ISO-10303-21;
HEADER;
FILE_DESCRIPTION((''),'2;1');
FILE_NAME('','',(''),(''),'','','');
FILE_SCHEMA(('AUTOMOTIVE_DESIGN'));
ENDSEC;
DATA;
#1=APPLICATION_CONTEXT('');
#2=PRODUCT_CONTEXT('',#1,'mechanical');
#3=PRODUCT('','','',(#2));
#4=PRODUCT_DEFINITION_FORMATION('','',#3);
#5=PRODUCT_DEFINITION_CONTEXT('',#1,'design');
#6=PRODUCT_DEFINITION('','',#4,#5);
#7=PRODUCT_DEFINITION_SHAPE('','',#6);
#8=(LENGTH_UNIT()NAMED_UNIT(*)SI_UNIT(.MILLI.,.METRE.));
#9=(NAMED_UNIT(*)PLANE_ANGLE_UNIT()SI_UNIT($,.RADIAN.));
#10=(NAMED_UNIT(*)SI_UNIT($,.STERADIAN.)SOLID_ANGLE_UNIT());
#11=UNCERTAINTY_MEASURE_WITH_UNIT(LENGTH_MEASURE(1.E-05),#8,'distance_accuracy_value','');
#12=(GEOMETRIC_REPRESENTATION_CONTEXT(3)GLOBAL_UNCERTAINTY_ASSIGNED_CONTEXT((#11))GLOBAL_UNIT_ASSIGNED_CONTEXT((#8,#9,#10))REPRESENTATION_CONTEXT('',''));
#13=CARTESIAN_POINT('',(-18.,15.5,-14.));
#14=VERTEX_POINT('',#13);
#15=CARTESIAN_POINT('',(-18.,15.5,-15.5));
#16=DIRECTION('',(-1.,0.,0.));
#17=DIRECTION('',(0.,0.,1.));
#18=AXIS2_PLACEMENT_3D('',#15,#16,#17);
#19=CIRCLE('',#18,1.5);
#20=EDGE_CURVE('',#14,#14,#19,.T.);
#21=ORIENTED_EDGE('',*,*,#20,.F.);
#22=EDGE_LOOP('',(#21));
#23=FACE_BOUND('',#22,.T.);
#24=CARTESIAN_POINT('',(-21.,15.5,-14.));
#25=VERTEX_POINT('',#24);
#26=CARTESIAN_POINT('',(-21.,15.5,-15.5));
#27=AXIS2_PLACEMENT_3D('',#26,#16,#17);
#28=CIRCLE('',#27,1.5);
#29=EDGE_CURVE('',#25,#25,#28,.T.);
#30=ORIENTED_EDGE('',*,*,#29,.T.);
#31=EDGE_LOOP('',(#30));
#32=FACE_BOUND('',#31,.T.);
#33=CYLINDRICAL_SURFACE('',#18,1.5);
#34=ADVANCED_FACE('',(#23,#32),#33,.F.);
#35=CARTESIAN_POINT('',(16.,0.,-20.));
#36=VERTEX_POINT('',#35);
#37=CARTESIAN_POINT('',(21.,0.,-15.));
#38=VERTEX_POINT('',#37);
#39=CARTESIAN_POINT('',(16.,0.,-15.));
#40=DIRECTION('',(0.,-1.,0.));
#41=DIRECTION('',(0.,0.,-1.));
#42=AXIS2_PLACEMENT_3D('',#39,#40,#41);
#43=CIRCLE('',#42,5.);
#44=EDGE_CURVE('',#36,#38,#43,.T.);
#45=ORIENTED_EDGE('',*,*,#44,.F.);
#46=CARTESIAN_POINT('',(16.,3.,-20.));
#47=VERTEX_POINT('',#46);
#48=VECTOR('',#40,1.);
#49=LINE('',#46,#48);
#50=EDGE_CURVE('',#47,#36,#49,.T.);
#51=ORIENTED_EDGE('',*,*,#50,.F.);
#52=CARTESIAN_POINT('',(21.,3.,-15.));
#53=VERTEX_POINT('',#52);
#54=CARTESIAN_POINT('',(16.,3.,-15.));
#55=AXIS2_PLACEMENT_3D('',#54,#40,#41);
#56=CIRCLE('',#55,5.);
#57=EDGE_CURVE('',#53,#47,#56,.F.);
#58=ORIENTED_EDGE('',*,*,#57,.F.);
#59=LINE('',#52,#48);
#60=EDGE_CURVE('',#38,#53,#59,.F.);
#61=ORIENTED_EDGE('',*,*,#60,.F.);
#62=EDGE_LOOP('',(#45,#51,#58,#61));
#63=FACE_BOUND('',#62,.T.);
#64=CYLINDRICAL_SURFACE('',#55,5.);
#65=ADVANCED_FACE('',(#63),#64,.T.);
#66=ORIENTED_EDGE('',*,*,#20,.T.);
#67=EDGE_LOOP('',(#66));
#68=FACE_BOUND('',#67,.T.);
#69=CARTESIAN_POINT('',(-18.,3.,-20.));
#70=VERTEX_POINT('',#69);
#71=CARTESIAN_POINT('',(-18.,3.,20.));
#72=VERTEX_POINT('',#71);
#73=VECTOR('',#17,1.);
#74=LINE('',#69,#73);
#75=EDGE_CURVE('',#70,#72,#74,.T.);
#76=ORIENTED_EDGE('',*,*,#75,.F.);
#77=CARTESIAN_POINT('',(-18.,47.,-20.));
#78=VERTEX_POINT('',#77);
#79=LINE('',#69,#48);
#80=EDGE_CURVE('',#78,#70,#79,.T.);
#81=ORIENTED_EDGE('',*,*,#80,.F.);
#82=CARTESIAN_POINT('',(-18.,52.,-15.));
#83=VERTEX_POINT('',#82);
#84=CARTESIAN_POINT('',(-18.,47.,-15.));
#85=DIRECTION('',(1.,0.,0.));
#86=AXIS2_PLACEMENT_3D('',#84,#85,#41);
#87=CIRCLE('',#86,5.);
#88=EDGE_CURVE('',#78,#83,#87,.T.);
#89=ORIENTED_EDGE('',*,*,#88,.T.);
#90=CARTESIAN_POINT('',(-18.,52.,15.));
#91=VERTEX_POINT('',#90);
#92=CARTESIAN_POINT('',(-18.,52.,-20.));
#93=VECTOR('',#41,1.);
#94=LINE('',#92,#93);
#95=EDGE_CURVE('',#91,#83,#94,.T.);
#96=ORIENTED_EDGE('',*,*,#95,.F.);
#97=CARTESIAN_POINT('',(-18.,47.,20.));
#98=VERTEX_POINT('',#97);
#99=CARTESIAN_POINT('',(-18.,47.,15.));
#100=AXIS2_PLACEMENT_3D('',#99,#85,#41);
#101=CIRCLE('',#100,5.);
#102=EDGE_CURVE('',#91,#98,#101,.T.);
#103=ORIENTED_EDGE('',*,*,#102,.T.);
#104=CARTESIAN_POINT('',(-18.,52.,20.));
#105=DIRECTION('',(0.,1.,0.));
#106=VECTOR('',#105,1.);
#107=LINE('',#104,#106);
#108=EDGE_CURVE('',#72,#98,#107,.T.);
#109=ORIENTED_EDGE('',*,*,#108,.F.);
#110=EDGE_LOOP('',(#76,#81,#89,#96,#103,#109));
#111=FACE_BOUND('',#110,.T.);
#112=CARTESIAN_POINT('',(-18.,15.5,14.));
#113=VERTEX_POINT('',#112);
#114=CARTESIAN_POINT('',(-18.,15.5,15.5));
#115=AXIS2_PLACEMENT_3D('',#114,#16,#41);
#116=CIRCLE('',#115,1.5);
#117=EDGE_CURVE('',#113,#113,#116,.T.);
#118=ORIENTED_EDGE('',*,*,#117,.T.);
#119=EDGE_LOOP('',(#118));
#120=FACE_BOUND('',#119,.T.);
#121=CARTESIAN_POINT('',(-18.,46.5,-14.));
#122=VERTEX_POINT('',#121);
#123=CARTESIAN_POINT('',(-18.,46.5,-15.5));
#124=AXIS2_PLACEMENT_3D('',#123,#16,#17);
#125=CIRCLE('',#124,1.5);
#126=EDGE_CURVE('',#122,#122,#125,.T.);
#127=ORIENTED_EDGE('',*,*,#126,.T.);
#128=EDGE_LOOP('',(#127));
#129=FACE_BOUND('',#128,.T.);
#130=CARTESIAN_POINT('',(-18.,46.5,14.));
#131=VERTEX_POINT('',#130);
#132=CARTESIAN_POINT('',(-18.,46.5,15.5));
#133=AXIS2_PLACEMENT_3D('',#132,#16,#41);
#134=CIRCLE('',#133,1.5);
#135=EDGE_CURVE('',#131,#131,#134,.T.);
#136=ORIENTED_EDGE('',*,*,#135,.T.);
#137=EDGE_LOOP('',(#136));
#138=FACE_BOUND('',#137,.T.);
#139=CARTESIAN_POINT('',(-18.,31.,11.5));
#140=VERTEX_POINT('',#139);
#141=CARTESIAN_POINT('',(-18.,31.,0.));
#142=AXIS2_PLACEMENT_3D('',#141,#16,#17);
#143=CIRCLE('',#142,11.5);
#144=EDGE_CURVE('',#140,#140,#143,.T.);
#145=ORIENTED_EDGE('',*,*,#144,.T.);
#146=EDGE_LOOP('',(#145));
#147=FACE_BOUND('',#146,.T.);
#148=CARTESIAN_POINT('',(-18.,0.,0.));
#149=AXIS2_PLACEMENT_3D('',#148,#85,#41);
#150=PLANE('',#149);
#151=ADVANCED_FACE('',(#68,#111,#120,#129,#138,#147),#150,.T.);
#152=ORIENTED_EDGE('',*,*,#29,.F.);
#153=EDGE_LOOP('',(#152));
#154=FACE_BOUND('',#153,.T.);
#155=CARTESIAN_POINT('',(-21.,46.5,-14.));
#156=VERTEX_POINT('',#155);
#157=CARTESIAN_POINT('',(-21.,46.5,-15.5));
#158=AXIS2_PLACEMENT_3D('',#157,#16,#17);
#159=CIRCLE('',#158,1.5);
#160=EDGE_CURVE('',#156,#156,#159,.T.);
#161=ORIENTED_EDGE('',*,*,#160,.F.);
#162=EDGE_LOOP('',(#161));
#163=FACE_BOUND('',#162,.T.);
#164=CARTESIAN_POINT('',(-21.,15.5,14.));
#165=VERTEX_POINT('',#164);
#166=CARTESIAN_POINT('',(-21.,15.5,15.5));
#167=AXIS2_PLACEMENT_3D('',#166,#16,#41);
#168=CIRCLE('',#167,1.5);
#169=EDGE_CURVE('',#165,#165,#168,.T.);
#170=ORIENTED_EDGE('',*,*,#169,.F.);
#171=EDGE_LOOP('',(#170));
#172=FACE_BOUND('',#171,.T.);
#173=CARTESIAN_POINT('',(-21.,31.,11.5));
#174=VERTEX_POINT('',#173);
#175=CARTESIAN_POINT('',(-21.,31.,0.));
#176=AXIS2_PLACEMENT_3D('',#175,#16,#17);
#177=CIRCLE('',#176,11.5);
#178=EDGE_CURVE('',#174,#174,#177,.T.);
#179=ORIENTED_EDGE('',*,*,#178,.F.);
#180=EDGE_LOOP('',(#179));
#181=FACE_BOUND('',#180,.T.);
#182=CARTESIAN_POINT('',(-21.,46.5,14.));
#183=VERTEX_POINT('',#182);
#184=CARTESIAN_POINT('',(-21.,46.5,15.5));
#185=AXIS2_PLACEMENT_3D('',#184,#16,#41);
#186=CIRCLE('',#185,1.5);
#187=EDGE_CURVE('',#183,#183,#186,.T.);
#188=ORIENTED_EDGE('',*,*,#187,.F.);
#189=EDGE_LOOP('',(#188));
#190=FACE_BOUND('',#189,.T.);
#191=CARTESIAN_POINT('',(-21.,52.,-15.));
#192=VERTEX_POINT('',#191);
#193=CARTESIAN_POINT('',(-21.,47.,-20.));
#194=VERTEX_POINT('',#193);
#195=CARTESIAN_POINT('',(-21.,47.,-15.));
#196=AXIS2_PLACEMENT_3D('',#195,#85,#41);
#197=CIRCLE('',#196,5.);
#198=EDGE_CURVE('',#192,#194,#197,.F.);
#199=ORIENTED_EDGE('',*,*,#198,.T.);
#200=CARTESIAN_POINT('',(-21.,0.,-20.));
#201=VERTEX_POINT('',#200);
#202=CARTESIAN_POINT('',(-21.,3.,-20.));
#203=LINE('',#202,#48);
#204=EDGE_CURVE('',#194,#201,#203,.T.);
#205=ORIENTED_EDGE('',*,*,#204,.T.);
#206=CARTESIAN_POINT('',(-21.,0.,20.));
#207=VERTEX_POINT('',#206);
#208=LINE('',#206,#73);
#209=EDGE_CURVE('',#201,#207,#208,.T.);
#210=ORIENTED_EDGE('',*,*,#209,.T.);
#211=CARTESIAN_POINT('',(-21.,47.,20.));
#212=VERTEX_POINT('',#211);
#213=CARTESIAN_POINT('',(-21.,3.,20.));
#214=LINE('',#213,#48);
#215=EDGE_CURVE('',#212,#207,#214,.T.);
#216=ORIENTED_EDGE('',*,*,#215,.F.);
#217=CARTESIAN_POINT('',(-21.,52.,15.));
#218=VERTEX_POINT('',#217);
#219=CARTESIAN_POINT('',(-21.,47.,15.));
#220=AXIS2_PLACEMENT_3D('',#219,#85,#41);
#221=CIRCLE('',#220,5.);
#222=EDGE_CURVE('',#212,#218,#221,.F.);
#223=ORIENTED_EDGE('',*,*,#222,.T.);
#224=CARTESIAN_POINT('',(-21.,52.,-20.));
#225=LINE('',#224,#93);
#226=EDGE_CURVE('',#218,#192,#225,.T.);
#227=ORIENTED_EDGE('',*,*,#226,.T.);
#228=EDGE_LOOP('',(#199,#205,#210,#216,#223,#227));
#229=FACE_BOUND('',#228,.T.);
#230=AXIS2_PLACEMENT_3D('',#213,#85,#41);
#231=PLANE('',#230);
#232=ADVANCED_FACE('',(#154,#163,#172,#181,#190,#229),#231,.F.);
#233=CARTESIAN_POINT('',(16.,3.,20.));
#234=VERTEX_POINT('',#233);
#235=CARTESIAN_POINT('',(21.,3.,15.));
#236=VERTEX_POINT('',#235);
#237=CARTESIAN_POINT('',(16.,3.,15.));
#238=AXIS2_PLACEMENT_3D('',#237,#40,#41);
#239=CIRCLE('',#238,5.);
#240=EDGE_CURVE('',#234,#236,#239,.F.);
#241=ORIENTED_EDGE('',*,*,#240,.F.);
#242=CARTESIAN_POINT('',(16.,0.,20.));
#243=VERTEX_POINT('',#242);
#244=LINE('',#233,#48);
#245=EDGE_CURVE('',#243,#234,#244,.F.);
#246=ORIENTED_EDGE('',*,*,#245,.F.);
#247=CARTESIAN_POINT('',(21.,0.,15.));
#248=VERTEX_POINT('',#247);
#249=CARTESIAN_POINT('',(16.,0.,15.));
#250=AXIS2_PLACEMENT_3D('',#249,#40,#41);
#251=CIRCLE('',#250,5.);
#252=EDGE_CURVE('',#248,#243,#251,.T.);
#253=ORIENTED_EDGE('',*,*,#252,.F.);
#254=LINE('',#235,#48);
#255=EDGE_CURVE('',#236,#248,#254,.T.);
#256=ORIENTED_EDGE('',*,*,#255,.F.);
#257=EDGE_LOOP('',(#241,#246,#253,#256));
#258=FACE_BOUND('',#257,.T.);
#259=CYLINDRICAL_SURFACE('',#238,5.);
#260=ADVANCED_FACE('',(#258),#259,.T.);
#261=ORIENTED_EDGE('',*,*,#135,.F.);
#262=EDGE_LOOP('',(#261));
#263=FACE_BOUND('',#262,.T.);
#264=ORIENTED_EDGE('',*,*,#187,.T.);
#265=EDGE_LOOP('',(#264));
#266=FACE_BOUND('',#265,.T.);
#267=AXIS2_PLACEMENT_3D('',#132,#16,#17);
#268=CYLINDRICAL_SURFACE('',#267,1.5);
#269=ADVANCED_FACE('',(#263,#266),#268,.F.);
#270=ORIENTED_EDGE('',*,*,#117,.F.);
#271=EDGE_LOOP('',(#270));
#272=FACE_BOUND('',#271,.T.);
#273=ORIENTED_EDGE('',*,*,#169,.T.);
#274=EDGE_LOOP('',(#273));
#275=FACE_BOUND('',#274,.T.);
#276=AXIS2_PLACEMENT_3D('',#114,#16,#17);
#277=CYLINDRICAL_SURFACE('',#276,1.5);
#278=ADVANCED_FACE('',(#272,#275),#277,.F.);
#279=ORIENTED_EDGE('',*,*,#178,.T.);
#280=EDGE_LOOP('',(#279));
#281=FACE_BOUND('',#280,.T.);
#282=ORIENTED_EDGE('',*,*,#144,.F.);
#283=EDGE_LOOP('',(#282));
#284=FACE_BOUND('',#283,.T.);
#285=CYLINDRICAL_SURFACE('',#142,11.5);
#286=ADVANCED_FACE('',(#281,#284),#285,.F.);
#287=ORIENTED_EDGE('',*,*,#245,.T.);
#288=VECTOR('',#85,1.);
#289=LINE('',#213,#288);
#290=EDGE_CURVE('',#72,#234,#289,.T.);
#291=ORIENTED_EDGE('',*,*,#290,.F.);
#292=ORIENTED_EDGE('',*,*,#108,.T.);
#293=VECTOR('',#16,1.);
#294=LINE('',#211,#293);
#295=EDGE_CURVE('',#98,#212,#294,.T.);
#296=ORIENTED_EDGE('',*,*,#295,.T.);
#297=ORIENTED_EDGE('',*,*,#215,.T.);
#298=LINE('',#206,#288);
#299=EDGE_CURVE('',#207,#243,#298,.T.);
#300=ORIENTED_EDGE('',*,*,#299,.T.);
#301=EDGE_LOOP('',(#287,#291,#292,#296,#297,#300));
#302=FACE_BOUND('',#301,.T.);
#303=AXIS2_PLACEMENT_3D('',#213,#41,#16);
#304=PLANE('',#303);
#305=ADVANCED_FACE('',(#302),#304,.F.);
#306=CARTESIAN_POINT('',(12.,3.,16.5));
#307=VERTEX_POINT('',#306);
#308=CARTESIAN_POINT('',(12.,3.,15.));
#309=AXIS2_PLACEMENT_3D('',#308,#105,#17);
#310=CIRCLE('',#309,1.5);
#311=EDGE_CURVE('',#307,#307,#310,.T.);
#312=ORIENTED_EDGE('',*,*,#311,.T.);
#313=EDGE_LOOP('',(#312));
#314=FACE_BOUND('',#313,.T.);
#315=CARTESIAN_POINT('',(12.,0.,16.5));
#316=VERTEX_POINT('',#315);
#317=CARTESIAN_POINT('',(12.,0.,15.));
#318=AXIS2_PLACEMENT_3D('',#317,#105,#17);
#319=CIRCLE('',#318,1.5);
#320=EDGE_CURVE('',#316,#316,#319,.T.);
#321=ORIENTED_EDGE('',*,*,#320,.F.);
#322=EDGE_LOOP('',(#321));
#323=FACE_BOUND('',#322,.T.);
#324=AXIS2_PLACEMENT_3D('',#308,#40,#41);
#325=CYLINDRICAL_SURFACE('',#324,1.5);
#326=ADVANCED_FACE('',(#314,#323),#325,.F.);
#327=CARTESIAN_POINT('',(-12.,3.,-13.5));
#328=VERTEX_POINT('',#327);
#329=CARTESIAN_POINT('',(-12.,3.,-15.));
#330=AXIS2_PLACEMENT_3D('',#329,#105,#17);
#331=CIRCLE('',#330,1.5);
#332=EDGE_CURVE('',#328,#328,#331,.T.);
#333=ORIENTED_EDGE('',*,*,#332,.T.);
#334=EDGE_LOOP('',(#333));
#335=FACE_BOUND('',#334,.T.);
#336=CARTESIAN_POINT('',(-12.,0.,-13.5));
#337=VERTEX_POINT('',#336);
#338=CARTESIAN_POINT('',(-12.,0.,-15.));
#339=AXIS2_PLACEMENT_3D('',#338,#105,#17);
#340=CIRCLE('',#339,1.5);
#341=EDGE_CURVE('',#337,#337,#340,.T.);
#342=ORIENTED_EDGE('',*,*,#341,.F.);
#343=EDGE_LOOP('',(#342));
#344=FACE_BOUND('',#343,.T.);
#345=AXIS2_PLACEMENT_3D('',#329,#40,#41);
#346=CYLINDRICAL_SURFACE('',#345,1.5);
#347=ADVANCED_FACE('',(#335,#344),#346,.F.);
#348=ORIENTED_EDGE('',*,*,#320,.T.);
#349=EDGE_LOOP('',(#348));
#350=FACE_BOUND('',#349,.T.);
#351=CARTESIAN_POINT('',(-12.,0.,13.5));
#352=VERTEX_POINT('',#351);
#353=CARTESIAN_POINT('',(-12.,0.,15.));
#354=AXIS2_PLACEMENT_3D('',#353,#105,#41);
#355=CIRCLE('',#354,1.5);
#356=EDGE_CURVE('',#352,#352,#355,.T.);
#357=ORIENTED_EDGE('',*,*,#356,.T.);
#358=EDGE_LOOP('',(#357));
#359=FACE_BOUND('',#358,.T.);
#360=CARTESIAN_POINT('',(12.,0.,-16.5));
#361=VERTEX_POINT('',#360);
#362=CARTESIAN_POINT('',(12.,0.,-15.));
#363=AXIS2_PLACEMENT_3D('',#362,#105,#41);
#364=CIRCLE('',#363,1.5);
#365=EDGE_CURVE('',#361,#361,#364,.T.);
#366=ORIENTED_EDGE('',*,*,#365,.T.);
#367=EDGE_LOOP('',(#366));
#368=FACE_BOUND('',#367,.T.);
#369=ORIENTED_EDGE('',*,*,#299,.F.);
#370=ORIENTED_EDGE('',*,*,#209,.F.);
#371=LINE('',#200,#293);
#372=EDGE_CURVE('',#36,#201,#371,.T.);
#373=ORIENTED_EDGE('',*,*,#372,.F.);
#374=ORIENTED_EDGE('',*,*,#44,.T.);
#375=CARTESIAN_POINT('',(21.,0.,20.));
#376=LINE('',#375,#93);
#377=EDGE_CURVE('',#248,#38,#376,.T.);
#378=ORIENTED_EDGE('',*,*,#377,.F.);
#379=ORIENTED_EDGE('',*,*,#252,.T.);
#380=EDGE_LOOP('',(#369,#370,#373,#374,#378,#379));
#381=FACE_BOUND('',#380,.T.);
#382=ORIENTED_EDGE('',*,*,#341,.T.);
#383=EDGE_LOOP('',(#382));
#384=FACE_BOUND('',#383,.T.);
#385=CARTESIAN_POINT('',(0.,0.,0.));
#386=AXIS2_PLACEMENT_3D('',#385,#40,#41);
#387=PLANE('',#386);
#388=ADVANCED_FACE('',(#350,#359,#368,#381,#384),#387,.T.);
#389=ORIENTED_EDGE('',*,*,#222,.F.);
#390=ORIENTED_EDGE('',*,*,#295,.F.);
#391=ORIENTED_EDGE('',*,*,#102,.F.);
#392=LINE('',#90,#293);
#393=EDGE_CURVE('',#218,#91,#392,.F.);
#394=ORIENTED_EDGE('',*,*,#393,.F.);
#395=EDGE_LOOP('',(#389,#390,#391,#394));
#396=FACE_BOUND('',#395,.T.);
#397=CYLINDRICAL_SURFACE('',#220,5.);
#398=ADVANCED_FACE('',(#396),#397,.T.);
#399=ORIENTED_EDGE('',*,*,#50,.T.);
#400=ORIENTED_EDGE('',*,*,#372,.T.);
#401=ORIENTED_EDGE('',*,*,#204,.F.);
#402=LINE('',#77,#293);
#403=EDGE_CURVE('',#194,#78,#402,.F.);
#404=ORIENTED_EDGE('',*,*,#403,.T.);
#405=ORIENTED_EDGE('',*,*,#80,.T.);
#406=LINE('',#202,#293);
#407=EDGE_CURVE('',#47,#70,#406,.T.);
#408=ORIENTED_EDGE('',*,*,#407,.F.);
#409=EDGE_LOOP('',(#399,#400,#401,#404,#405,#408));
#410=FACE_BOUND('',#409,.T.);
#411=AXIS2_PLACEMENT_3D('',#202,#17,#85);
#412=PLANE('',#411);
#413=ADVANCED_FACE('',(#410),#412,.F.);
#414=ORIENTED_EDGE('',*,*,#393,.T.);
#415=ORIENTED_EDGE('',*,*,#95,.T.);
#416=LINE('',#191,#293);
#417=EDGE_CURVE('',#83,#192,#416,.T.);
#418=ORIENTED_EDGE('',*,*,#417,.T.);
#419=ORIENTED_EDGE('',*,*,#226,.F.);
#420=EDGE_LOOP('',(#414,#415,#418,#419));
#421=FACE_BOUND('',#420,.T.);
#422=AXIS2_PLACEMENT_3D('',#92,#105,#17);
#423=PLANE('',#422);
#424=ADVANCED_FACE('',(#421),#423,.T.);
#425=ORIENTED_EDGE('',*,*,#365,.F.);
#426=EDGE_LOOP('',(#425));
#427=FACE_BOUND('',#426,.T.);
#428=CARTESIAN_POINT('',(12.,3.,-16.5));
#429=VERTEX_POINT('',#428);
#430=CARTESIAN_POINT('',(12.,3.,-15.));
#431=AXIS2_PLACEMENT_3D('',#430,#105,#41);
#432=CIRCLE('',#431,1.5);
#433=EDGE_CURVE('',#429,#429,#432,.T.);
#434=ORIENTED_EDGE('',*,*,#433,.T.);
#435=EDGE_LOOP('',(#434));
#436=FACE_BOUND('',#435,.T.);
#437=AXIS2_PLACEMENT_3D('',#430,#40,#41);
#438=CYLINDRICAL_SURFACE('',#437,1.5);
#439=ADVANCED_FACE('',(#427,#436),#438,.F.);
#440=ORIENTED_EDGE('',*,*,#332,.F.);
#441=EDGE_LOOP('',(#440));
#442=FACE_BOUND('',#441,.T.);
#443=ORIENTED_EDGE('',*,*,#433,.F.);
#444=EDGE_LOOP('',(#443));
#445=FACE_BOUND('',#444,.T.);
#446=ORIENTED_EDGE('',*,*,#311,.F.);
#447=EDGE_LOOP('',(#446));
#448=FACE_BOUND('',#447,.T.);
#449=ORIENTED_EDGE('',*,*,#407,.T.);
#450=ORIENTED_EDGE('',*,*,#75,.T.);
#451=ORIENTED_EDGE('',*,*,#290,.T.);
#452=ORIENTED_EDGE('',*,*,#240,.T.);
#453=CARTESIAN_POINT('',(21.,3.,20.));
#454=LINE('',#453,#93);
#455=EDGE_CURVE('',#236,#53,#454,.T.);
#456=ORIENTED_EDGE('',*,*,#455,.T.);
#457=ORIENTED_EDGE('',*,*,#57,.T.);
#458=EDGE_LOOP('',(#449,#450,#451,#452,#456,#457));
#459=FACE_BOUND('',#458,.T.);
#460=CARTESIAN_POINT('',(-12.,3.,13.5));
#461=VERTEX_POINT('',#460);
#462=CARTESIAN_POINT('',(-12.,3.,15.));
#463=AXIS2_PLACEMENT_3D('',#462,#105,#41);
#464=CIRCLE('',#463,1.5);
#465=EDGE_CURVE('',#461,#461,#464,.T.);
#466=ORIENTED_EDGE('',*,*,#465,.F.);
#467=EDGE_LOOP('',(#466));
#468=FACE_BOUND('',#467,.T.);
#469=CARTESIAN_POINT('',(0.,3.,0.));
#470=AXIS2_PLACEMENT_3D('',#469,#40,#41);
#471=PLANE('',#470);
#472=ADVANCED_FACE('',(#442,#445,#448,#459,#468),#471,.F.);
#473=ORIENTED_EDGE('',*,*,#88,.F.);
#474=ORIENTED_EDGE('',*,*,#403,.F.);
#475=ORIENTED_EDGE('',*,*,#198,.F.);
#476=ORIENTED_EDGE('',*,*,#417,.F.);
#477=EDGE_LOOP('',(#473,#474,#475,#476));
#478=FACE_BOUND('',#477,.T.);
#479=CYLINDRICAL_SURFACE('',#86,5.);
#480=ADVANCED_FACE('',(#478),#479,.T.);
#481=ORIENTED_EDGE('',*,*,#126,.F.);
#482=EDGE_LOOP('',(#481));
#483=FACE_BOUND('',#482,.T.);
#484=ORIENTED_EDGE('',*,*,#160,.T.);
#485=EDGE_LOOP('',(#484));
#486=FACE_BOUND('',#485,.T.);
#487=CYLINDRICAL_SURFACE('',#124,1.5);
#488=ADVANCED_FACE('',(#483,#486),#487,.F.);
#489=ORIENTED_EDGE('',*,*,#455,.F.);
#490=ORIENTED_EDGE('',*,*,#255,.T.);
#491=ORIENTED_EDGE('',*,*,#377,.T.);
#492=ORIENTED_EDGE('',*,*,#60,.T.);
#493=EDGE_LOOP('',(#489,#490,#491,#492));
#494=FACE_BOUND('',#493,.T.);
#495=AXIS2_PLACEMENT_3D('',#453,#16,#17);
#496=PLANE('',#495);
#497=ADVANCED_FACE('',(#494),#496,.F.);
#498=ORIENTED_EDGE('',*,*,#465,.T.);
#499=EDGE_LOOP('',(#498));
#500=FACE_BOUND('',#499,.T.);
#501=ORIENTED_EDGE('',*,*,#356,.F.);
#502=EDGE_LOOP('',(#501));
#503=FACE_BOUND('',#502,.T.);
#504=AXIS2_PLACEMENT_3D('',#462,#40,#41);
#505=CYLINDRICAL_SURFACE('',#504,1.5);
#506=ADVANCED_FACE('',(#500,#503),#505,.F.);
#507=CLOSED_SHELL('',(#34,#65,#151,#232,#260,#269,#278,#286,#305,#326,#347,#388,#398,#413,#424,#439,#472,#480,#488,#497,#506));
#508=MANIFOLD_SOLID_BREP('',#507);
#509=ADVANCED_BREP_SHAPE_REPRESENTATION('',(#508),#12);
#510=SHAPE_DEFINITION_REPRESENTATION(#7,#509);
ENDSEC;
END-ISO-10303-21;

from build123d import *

# Parameters (mm, degrees)
SKETCH_1_W      = 42
SKETCH_1_H      = 40
SKETCH_1_R      = 1.5
EXTRUDE_1_DEPTH = 3
SKETCH_3_W      = 40
SKETCH_3_H      = 49
SKETCH_3_R      = 11.5
SKETCH_3_R_2    = 1.5
EXTRUDE_2_DEPTH = 3
FILLET_1_R      = 5
FILLET_2_R      = 5


with BuildPart() as part:
    # 草图1 → 凸台-拉伸1 (new body)
    with BuildSketch(Plane(origin=(0, 0, 0), x_dir=(1, 0, 0), z_dir=(0, 1, 0))):
        Rectangle(SKETCH_1_W, SKETCH_1_H)
        with Locations(Location((-12, 15, 0), (0, 0, 270))):
            Circle(SKETCH_1_R, mode=Mode.SUBTRACT)
        with Locations(Location((-12, -15, 0), (0, 0, 90))):
            Circle(SKETCH_1_R, mode=Mode.SUBTRACT)
        with Locations(Location((12, -15, 0), (0, 0, 270))):
            Circle(SKETCH_1_R, mode=Mode.SUBTRACT)
        with Locations(Location((12, 15, 0), (0, 0, 90))):
            Circle(SKETCH_1_R, mode=Mode.SUBTRACT)
    extrude(amount=EXTRUDE_1_DEPTH)

    # 草图3 → 凸台-拉伸2 (add)
    with BuildSketch(Plane.ZY.offset(21)):
        with Locations((0, 27.5)):
            Rectangle(SKETCH_3_W, SKETCH_3_H)
        with Locations((0, 31)):
            Circle(SKETCH_3_R, mode=Mode.SUBTRACT)
        with Locations((-15.5, 46.5)):
            Circle(SKETCH_3_R_2, mode=Mode.SUBTRACT)
        with Locations((-15.5, 15.5)):
            Circle(SKETCH_3_R_2, mode=Mode.SUBTRACT)
        with Locations(Location((15.5, 15.5, 0), (0, 0, 180))):
            Circle(SKETCH_3_R_2, mode=Mode.SUBTRACT)
        with Locations(Location((15.5, 46.5, 0), (0, 0, 180))):
            Circle(SKETCH_3_R_2, mode=Mode.SUBTRACT)
    extrude(amount=-EXTRUDE_2_DEPTH)

    # 圆角1
    fillet_1_edges = [part.edges().sort_by_distance(p)[0] for p in [
        (-19.5, 52, -20),
        (-19.5, 52, 20),
    ]]
    fillet(fillet_1_edges, radius=FILLET_1_R)

    # 圆角2
    fillet_2_edges = [part.edges().sort_by_distance(p)[0] for p in [
        (21, 1.5, 20),
        (21, 1.5, -20),
    ]]
    fillet(fillet_2_edges, radius=FILLET_2_R)


solid = part.part
